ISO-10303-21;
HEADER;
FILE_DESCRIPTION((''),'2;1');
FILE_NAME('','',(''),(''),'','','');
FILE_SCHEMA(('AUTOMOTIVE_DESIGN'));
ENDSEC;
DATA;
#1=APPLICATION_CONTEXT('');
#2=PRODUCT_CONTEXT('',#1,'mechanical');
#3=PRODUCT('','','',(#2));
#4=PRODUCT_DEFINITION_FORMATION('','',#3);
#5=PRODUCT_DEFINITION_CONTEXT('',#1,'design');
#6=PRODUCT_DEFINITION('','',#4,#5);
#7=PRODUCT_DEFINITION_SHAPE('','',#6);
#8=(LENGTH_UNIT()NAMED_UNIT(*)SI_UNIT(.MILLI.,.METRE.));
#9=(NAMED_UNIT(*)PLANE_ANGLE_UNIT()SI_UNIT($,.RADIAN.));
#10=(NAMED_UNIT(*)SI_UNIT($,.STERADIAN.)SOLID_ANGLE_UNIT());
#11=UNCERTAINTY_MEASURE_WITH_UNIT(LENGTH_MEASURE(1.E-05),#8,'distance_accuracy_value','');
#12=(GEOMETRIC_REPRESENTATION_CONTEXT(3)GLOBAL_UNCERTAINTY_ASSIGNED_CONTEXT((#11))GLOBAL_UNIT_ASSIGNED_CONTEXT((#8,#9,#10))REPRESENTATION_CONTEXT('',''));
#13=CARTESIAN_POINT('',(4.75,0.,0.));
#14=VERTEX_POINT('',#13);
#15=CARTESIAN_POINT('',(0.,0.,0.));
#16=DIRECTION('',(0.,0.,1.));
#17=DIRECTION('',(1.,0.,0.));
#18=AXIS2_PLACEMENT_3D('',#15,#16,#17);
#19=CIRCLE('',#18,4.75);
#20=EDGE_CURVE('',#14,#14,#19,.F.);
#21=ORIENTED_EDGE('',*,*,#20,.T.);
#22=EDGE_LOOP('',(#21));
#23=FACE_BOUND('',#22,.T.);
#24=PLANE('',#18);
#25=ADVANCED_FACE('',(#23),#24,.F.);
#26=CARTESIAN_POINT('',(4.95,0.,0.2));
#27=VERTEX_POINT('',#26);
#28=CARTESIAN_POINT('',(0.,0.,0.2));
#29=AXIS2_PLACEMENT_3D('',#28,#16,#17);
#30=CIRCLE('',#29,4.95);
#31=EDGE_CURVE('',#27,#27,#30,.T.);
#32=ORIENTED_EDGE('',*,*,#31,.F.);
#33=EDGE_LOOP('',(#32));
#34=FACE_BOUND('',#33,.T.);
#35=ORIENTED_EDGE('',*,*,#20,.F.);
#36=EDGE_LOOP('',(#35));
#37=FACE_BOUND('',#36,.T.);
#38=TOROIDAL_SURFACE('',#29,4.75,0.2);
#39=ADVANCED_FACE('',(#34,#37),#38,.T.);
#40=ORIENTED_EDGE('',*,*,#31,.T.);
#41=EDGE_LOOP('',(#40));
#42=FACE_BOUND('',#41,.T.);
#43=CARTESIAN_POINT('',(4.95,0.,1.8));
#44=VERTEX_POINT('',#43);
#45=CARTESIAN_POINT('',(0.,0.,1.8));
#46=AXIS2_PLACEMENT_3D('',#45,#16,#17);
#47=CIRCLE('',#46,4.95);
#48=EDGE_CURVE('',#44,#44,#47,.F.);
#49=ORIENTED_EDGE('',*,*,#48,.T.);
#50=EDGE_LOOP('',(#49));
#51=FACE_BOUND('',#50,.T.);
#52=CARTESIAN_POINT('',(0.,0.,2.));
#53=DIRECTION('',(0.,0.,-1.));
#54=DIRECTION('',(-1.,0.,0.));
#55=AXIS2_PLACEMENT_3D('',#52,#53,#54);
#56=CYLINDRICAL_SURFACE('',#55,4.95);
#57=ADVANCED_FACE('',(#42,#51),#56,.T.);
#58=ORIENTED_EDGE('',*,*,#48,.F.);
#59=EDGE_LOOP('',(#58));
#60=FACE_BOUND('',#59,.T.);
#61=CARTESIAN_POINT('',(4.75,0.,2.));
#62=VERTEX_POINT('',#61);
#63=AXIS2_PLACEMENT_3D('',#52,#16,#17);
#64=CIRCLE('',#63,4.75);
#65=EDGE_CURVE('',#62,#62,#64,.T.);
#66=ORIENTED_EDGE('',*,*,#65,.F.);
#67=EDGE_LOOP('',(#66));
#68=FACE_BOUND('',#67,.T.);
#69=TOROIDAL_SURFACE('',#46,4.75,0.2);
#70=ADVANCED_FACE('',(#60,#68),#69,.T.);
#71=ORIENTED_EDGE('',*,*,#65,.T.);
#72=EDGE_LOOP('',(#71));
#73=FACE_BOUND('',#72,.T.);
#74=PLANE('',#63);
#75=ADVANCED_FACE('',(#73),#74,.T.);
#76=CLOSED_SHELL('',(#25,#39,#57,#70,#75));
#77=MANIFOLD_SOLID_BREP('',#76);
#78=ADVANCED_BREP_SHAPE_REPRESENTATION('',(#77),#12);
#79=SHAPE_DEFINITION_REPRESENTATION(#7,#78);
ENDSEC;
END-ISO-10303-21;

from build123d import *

# Parameters (mm, degrees)
ESQUISSE1_R        = 4.95
BOSS_EXTRU_1_DEPTH = 2
CONG_1_R           = 0.2


with BuildPart() as part:
    # Esquisse1 → Boss.-Extru.1 (new body)
    with BuildSketch(Plane.XY):
        Circle(ESQUISSE1_R)
    extrude(amount=BOSS_EXTRU_1_DEPTH)

    # Congé1
    cong_1_edges = [part.edges().sort_by_distance(p)[0] for p in [
        (-4.95, 0, 0),
        (-4.95, 0, 2),
    ]]
    fillet(cong_1_edges, radius=CONG_1_R)


solid = part.part
